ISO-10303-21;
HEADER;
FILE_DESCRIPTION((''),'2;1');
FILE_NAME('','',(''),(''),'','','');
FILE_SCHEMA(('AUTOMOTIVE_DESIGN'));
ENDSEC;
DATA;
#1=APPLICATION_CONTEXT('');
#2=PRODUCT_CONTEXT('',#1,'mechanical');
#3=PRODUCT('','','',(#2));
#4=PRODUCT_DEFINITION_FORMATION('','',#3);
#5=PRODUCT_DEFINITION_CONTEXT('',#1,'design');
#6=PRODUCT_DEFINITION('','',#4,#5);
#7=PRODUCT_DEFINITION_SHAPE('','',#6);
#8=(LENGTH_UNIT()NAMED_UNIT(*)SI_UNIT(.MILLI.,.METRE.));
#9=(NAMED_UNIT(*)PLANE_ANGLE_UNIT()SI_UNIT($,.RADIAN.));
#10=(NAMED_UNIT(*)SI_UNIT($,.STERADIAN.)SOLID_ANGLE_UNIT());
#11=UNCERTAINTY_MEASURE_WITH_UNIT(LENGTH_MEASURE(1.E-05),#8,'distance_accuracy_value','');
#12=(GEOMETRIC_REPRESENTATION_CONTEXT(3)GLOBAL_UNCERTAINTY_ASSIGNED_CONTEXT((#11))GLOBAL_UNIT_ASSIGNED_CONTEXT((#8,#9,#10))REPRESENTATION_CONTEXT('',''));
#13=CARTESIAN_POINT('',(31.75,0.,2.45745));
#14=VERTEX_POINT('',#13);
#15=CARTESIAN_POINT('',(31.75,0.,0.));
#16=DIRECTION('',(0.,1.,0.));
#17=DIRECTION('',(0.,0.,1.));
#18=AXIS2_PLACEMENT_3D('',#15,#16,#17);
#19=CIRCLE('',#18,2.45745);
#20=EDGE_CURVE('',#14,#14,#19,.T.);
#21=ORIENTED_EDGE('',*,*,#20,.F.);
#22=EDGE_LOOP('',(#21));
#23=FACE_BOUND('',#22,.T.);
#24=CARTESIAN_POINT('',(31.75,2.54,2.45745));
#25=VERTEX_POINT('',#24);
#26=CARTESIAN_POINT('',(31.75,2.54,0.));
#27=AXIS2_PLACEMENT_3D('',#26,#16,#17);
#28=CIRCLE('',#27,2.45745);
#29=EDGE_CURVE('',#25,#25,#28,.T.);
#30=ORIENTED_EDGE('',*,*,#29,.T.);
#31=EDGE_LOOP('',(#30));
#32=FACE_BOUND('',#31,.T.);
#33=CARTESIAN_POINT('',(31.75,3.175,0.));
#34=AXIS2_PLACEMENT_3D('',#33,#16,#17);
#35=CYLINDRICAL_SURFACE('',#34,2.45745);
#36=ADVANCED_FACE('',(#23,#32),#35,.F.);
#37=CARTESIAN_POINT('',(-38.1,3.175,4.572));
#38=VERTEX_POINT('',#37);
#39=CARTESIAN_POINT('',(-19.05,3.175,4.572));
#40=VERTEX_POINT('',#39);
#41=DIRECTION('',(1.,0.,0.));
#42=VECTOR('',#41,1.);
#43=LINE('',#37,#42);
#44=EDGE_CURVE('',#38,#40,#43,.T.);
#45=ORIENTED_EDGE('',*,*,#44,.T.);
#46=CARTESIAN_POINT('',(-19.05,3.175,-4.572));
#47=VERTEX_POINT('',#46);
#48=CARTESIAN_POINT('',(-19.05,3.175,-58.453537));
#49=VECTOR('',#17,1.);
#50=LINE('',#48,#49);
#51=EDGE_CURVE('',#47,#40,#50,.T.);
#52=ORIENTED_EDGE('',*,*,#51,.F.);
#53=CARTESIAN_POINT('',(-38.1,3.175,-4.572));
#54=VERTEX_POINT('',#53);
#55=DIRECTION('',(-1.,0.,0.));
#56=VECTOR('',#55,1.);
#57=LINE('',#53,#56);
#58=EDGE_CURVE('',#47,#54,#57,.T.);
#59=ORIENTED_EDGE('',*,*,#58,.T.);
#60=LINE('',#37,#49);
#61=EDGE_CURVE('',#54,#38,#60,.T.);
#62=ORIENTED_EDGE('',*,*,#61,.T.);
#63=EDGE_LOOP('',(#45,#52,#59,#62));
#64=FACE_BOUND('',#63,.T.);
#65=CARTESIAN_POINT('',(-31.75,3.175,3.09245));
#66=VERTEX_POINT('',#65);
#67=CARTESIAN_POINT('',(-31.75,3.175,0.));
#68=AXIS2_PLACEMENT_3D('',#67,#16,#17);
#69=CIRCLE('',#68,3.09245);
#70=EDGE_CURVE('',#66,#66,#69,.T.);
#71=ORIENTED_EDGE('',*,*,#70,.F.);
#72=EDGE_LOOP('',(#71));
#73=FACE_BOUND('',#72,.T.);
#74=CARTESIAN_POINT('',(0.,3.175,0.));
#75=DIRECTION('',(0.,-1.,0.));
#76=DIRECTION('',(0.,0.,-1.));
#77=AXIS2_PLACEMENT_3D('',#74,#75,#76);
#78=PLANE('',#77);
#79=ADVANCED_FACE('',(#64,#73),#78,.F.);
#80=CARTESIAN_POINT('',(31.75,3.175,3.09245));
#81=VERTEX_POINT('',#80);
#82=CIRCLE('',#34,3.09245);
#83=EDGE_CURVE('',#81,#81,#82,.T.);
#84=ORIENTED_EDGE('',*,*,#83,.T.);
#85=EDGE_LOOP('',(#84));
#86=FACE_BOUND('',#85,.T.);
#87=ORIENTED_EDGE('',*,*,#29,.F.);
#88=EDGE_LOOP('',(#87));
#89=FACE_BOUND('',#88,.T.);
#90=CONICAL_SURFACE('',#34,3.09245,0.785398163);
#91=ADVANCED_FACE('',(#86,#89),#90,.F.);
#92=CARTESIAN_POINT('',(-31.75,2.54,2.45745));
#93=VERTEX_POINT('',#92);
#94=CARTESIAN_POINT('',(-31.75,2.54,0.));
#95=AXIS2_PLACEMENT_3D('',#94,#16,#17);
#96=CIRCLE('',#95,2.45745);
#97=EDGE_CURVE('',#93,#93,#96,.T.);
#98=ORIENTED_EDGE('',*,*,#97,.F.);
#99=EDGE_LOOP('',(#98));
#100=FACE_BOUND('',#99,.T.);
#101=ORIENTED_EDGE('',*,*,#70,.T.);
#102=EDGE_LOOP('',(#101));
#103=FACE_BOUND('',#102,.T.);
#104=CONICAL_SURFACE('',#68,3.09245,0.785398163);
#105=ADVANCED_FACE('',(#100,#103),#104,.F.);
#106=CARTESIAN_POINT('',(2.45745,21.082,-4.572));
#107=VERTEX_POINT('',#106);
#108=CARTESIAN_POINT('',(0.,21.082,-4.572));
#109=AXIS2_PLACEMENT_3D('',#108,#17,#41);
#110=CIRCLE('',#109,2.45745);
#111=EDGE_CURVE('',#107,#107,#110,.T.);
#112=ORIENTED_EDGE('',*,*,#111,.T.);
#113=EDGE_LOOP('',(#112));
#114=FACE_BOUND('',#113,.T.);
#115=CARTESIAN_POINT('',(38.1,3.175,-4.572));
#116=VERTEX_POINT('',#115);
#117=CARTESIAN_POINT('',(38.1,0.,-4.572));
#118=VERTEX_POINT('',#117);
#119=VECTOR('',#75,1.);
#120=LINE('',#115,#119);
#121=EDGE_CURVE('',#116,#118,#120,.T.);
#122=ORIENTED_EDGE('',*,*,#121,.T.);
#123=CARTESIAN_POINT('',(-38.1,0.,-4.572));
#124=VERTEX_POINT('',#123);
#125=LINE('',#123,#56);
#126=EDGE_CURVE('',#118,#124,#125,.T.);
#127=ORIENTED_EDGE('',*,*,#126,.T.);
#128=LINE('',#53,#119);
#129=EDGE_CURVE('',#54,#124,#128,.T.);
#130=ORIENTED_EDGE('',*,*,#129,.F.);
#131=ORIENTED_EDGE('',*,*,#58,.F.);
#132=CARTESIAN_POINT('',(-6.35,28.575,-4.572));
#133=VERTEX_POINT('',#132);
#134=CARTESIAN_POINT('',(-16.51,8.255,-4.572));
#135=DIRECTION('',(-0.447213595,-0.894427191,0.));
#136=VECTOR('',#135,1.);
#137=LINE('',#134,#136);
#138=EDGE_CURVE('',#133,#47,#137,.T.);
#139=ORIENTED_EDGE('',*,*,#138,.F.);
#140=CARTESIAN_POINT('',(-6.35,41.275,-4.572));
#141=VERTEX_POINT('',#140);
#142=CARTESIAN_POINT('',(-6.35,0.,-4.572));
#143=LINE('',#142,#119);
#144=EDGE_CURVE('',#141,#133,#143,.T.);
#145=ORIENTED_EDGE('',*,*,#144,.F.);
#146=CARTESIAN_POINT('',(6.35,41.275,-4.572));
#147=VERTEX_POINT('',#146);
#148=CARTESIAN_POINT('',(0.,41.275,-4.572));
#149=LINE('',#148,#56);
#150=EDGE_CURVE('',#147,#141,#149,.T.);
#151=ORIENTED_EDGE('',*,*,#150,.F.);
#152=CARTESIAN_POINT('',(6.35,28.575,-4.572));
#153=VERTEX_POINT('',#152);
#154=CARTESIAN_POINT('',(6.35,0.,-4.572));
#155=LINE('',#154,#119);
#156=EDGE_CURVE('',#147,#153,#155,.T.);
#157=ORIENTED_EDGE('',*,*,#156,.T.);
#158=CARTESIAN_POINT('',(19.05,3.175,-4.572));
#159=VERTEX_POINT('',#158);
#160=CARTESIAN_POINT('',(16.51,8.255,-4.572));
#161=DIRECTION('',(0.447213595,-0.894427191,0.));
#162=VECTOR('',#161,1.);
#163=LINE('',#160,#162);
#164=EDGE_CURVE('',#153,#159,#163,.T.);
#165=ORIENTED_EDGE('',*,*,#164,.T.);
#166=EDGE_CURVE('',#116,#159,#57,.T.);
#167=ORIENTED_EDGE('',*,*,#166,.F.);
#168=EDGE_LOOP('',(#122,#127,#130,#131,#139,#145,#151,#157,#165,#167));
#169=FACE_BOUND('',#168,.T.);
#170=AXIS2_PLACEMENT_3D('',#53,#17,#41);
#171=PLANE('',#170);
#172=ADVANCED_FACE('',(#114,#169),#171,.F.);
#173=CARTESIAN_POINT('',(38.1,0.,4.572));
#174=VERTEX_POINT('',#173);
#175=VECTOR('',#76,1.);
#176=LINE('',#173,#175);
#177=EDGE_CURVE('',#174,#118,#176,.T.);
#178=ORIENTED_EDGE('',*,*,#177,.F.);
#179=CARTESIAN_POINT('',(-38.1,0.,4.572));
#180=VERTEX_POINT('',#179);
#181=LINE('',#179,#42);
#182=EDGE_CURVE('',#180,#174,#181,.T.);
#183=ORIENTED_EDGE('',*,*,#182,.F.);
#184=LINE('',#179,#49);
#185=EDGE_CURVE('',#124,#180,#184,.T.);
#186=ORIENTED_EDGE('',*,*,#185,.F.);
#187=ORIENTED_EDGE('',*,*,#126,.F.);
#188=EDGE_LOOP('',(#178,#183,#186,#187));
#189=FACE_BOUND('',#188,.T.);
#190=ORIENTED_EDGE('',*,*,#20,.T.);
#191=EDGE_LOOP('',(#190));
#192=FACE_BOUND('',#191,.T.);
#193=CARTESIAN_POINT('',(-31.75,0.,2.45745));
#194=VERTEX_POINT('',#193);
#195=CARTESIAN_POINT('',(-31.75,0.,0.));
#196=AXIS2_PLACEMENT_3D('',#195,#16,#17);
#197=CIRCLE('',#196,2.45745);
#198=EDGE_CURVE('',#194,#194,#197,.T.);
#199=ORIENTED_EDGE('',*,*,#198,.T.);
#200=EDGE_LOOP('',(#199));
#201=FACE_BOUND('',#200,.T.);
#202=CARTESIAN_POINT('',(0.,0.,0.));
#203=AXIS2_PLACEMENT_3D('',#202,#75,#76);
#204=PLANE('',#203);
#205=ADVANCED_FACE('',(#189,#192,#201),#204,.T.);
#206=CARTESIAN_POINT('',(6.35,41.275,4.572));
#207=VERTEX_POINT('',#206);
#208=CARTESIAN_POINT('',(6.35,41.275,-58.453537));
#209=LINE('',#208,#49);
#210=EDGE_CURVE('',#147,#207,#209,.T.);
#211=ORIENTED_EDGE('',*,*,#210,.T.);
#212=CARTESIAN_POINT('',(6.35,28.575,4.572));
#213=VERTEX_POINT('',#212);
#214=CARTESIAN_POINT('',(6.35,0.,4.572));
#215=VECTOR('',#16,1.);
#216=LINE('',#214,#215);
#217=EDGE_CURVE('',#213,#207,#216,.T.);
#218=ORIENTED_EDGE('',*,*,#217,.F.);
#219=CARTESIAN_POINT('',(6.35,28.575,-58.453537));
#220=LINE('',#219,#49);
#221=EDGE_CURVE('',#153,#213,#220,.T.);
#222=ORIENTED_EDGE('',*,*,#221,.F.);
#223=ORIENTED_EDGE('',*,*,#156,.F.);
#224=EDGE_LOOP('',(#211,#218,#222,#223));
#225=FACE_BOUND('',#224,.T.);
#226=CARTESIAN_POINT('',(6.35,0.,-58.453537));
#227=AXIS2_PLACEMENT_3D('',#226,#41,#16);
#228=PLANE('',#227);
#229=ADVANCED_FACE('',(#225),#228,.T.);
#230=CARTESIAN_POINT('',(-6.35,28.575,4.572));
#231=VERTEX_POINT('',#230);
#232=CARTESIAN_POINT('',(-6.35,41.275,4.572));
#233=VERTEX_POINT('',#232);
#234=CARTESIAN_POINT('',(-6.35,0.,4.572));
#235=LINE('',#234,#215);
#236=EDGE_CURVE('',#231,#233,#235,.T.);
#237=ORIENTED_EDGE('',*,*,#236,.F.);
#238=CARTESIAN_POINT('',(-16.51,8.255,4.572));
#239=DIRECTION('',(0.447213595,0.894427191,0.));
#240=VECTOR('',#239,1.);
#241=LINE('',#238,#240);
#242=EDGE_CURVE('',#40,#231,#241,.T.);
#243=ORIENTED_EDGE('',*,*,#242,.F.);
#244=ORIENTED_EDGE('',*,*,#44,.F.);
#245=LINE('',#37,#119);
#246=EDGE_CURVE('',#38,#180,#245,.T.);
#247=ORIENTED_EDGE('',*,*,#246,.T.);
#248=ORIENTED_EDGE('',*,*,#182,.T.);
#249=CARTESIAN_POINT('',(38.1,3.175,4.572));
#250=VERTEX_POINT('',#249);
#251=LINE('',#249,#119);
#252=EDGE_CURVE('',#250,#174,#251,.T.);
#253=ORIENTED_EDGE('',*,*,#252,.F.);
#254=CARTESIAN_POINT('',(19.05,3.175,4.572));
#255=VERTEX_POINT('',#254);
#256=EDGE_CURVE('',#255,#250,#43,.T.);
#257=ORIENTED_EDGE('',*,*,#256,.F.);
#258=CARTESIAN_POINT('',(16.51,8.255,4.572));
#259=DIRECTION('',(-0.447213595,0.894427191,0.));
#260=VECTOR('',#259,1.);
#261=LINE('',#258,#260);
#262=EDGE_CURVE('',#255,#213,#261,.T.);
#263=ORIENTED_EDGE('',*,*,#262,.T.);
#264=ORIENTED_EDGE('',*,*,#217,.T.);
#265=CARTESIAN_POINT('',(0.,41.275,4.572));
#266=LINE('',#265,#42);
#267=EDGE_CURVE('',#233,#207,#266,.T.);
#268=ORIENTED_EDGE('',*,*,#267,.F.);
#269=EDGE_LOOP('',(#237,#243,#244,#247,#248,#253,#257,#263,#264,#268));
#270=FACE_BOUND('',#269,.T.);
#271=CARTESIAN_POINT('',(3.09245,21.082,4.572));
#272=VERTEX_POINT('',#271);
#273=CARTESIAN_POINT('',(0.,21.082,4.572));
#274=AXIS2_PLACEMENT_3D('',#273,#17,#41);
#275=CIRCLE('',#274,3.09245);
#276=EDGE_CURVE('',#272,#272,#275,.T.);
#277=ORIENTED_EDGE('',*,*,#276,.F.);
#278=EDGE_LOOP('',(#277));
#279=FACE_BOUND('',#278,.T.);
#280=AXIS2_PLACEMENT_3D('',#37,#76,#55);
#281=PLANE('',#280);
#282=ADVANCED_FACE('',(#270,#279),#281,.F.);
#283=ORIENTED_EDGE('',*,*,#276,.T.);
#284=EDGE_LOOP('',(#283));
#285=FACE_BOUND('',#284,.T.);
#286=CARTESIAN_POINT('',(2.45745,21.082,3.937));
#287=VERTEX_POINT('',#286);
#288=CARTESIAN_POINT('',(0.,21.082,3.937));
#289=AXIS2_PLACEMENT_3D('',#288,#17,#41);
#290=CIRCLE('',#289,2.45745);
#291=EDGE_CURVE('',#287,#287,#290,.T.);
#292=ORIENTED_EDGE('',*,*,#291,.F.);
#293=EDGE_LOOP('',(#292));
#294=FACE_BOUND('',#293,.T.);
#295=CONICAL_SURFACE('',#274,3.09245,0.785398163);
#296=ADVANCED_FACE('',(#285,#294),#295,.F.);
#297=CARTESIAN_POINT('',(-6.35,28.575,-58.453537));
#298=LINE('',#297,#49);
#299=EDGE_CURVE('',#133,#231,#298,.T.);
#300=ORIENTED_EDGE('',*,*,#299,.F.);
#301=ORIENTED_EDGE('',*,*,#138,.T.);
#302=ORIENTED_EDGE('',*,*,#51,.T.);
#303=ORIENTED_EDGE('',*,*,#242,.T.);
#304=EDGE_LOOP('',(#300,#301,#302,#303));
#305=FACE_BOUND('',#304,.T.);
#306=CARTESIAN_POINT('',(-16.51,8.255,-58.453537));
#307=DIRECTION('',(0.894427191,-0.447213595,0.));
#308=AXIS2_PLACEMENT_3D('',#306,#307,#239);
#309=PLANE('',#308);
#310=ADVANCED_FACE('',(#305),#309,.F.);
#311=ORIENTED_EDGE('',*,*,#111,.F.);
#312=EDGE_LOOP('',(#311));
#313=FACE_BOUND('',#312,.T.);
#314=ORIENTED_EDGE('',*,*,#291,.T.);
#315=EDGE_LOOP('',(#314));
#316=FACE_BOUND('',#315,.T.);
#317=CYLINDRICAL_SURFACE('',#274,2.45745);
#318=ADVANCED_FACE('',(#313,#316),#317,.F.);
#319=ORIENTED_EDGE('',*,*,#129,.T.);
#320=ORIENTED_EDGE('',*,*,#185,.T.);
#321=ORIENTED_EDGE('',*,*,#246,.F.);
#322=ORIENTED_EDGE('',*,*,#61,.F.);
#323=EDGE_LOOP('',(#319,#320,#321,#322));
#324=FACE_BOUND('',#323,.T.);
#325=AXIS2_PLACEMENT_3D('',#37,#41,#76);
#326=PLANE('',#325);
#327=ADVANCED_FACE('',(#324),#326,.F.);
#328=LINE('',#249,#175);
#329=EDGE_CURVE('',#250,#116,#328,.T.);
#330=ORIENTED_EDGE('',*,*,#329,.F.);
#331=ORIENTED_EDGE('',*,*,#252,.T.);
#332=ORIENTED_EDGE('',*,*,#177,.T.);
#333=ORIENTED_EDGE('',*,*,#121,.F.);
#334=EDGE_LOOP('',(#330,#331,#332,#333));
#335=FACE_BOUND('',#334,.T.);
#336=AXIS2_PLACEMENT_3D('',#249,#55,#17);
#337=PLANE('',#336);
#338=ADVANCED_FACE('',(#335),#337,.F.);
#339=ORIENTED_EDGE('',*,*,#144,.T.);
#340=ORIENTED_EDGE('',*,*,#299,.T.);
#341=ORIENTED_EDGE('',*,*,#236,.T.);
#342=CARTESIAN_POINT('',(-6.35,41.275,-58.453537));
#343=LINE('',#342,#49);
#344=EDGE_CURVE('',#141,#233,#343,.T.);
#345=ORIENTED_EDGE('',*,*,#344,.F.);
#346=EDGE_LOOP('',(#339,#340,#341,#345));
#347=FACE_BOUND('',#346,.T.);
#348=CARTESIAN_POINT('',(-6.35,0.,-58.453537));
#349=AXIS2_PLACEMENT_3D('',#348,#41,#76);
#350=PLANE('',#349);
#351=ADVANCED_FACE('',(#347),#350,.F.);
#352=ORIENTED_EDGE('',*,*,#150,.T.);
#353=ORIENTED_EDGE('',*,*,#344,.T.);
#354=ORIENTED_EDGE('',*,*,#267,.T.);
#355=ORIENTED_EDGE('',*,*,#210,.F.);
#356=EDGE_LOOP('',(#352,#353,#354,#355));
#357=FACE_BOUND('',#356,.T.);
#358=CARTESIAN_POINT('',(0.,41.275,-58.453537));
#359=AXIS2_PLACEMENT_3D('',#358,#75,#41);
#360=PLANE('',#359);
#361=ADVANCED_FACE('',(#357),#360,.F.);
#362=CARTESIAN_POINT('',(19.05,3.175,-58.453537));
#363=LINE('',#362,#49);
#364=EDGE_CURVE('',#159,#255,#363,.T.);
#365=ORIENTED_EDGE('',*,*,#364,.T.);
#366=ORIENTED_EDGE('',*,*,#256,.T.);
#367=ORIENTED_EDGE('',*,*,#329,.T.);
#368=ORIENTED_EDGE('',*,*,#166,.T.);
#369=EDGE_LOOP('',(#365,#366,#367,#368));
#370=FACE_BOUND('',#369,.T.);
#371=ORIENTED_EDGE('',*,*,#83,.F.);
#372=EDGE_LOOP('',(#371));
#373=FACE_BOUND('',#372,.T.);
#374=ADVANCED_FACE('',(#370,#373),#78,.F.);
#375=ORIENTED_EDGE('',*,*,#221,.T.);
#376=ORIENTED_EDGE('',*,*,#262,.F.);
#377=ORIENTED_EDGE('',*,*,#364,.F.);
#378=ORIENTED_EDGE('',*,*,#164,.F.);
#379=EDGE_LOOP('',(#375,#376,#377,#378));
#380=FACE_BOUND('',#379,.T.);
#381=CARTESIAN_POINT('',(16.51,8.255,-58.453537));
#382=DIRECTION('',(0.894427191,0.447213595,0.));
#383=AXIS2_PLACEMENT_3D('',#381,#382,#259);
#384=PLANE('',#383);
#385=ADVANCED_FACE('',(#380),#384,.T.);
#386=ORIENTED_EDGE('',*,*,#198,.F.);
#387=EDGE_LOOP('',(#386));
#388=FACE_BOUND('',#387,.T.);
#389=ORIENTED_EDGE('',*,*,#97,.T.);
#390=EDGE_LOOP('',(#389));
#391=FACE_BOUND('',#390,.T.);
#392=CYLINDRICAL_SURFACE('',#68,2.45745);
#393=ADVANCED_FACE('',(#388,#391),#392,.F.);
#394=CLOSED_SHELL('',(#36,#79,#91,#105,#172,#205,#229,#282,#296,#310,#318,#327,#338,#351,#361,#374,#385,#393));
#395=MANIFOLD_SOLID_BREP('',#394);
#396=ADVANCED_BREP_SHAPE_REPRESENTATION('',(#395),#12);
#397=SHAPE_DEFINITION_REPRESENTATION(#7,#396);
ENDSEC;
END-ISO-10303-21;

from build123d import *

# Parameters (mm, degrees)
SKETCH1_W                       = 76.2
SKETCH1_H                       = 9.144
BOSS_EXTRUDE1_DEPTH             = 3.175
F_8_CLEARANCE_HOLE1_D           = 4.9149
F_8_CLEARANCE_HOLE1_CSINK_D     = 6.1849
F_8_CLEARANCE_HOLE1_CSINK_ANGLE = 90
BOSS_EXTRUDE2_DEPTH             = 9.144
F_8_CLEARANCE_HOLE2_D           = 4.9149
F_8_CLEARANCE_HOLE2_CSINK_D     = 6.1849
F_8_CLEARANCE_HOLE2_CSINK_ANGLE = 90


with BuildPart() as part:
    # Sketch1 → Boss-Extrude1 (new body)
    with BuildSketch(Plane(origin=(0, 0, 0), x_dir=(1, 0, 0), z_dir=(0, 1, 0))):
        Rectangle(SKETCH1_W, SKETCH1_H)
    extrude(amount=BOSS_EXTRUDE1_DEPTH)

    # #8 Clearance Hole1 (through all)
    with Locations(Plane(origin=(0, 3.175, 0), x_dir=(1, 0, 0), z_dir=(0, 1, 0))):
        with Locations((-31.75, 0), (31.75, 0)):
            CounterSinkHole(F_8_CLEARANCE_HOLE1_D / 2, F_8_CLEARANCE_HOLE1_CSINK_D / 2, counter_sink_angle=F_8_CLEARANCE_HOLE1_CSINK_ANGLE)

    # Sketch4 → Boss-Extrude2 (add)
    with BuildSketch(Plane.XY.offset(4.572)):
        Polygon((-6.35, 28.575), (-19.05, 3.175), (0, 3.175), (0, 41.275), (-6.35, 41.275), align=None)
        Polygon((0, 41.275), (0, 3.175), (19.05, 3.175), (6.35, 28.575), (6.35, 41.275), align=None)
    extrude(amount=-BOSS_EXTRUDE2_DEPTH)

    # #8 Clearance Hole2 (through all)
    with Locations(Plane.XY.offset(4.572)):
        with Locations((0, 21.082)):
            CounterSinkHole(F_8_CLEARANCE_HOLE2_D / 2, F_8_CLEARANCE_HOLE2_CSINK_D / 2, counter_sink_angle=F_8_CLEARANCE_HOLE2_CSINK_ANGLE)


solid = part.part
